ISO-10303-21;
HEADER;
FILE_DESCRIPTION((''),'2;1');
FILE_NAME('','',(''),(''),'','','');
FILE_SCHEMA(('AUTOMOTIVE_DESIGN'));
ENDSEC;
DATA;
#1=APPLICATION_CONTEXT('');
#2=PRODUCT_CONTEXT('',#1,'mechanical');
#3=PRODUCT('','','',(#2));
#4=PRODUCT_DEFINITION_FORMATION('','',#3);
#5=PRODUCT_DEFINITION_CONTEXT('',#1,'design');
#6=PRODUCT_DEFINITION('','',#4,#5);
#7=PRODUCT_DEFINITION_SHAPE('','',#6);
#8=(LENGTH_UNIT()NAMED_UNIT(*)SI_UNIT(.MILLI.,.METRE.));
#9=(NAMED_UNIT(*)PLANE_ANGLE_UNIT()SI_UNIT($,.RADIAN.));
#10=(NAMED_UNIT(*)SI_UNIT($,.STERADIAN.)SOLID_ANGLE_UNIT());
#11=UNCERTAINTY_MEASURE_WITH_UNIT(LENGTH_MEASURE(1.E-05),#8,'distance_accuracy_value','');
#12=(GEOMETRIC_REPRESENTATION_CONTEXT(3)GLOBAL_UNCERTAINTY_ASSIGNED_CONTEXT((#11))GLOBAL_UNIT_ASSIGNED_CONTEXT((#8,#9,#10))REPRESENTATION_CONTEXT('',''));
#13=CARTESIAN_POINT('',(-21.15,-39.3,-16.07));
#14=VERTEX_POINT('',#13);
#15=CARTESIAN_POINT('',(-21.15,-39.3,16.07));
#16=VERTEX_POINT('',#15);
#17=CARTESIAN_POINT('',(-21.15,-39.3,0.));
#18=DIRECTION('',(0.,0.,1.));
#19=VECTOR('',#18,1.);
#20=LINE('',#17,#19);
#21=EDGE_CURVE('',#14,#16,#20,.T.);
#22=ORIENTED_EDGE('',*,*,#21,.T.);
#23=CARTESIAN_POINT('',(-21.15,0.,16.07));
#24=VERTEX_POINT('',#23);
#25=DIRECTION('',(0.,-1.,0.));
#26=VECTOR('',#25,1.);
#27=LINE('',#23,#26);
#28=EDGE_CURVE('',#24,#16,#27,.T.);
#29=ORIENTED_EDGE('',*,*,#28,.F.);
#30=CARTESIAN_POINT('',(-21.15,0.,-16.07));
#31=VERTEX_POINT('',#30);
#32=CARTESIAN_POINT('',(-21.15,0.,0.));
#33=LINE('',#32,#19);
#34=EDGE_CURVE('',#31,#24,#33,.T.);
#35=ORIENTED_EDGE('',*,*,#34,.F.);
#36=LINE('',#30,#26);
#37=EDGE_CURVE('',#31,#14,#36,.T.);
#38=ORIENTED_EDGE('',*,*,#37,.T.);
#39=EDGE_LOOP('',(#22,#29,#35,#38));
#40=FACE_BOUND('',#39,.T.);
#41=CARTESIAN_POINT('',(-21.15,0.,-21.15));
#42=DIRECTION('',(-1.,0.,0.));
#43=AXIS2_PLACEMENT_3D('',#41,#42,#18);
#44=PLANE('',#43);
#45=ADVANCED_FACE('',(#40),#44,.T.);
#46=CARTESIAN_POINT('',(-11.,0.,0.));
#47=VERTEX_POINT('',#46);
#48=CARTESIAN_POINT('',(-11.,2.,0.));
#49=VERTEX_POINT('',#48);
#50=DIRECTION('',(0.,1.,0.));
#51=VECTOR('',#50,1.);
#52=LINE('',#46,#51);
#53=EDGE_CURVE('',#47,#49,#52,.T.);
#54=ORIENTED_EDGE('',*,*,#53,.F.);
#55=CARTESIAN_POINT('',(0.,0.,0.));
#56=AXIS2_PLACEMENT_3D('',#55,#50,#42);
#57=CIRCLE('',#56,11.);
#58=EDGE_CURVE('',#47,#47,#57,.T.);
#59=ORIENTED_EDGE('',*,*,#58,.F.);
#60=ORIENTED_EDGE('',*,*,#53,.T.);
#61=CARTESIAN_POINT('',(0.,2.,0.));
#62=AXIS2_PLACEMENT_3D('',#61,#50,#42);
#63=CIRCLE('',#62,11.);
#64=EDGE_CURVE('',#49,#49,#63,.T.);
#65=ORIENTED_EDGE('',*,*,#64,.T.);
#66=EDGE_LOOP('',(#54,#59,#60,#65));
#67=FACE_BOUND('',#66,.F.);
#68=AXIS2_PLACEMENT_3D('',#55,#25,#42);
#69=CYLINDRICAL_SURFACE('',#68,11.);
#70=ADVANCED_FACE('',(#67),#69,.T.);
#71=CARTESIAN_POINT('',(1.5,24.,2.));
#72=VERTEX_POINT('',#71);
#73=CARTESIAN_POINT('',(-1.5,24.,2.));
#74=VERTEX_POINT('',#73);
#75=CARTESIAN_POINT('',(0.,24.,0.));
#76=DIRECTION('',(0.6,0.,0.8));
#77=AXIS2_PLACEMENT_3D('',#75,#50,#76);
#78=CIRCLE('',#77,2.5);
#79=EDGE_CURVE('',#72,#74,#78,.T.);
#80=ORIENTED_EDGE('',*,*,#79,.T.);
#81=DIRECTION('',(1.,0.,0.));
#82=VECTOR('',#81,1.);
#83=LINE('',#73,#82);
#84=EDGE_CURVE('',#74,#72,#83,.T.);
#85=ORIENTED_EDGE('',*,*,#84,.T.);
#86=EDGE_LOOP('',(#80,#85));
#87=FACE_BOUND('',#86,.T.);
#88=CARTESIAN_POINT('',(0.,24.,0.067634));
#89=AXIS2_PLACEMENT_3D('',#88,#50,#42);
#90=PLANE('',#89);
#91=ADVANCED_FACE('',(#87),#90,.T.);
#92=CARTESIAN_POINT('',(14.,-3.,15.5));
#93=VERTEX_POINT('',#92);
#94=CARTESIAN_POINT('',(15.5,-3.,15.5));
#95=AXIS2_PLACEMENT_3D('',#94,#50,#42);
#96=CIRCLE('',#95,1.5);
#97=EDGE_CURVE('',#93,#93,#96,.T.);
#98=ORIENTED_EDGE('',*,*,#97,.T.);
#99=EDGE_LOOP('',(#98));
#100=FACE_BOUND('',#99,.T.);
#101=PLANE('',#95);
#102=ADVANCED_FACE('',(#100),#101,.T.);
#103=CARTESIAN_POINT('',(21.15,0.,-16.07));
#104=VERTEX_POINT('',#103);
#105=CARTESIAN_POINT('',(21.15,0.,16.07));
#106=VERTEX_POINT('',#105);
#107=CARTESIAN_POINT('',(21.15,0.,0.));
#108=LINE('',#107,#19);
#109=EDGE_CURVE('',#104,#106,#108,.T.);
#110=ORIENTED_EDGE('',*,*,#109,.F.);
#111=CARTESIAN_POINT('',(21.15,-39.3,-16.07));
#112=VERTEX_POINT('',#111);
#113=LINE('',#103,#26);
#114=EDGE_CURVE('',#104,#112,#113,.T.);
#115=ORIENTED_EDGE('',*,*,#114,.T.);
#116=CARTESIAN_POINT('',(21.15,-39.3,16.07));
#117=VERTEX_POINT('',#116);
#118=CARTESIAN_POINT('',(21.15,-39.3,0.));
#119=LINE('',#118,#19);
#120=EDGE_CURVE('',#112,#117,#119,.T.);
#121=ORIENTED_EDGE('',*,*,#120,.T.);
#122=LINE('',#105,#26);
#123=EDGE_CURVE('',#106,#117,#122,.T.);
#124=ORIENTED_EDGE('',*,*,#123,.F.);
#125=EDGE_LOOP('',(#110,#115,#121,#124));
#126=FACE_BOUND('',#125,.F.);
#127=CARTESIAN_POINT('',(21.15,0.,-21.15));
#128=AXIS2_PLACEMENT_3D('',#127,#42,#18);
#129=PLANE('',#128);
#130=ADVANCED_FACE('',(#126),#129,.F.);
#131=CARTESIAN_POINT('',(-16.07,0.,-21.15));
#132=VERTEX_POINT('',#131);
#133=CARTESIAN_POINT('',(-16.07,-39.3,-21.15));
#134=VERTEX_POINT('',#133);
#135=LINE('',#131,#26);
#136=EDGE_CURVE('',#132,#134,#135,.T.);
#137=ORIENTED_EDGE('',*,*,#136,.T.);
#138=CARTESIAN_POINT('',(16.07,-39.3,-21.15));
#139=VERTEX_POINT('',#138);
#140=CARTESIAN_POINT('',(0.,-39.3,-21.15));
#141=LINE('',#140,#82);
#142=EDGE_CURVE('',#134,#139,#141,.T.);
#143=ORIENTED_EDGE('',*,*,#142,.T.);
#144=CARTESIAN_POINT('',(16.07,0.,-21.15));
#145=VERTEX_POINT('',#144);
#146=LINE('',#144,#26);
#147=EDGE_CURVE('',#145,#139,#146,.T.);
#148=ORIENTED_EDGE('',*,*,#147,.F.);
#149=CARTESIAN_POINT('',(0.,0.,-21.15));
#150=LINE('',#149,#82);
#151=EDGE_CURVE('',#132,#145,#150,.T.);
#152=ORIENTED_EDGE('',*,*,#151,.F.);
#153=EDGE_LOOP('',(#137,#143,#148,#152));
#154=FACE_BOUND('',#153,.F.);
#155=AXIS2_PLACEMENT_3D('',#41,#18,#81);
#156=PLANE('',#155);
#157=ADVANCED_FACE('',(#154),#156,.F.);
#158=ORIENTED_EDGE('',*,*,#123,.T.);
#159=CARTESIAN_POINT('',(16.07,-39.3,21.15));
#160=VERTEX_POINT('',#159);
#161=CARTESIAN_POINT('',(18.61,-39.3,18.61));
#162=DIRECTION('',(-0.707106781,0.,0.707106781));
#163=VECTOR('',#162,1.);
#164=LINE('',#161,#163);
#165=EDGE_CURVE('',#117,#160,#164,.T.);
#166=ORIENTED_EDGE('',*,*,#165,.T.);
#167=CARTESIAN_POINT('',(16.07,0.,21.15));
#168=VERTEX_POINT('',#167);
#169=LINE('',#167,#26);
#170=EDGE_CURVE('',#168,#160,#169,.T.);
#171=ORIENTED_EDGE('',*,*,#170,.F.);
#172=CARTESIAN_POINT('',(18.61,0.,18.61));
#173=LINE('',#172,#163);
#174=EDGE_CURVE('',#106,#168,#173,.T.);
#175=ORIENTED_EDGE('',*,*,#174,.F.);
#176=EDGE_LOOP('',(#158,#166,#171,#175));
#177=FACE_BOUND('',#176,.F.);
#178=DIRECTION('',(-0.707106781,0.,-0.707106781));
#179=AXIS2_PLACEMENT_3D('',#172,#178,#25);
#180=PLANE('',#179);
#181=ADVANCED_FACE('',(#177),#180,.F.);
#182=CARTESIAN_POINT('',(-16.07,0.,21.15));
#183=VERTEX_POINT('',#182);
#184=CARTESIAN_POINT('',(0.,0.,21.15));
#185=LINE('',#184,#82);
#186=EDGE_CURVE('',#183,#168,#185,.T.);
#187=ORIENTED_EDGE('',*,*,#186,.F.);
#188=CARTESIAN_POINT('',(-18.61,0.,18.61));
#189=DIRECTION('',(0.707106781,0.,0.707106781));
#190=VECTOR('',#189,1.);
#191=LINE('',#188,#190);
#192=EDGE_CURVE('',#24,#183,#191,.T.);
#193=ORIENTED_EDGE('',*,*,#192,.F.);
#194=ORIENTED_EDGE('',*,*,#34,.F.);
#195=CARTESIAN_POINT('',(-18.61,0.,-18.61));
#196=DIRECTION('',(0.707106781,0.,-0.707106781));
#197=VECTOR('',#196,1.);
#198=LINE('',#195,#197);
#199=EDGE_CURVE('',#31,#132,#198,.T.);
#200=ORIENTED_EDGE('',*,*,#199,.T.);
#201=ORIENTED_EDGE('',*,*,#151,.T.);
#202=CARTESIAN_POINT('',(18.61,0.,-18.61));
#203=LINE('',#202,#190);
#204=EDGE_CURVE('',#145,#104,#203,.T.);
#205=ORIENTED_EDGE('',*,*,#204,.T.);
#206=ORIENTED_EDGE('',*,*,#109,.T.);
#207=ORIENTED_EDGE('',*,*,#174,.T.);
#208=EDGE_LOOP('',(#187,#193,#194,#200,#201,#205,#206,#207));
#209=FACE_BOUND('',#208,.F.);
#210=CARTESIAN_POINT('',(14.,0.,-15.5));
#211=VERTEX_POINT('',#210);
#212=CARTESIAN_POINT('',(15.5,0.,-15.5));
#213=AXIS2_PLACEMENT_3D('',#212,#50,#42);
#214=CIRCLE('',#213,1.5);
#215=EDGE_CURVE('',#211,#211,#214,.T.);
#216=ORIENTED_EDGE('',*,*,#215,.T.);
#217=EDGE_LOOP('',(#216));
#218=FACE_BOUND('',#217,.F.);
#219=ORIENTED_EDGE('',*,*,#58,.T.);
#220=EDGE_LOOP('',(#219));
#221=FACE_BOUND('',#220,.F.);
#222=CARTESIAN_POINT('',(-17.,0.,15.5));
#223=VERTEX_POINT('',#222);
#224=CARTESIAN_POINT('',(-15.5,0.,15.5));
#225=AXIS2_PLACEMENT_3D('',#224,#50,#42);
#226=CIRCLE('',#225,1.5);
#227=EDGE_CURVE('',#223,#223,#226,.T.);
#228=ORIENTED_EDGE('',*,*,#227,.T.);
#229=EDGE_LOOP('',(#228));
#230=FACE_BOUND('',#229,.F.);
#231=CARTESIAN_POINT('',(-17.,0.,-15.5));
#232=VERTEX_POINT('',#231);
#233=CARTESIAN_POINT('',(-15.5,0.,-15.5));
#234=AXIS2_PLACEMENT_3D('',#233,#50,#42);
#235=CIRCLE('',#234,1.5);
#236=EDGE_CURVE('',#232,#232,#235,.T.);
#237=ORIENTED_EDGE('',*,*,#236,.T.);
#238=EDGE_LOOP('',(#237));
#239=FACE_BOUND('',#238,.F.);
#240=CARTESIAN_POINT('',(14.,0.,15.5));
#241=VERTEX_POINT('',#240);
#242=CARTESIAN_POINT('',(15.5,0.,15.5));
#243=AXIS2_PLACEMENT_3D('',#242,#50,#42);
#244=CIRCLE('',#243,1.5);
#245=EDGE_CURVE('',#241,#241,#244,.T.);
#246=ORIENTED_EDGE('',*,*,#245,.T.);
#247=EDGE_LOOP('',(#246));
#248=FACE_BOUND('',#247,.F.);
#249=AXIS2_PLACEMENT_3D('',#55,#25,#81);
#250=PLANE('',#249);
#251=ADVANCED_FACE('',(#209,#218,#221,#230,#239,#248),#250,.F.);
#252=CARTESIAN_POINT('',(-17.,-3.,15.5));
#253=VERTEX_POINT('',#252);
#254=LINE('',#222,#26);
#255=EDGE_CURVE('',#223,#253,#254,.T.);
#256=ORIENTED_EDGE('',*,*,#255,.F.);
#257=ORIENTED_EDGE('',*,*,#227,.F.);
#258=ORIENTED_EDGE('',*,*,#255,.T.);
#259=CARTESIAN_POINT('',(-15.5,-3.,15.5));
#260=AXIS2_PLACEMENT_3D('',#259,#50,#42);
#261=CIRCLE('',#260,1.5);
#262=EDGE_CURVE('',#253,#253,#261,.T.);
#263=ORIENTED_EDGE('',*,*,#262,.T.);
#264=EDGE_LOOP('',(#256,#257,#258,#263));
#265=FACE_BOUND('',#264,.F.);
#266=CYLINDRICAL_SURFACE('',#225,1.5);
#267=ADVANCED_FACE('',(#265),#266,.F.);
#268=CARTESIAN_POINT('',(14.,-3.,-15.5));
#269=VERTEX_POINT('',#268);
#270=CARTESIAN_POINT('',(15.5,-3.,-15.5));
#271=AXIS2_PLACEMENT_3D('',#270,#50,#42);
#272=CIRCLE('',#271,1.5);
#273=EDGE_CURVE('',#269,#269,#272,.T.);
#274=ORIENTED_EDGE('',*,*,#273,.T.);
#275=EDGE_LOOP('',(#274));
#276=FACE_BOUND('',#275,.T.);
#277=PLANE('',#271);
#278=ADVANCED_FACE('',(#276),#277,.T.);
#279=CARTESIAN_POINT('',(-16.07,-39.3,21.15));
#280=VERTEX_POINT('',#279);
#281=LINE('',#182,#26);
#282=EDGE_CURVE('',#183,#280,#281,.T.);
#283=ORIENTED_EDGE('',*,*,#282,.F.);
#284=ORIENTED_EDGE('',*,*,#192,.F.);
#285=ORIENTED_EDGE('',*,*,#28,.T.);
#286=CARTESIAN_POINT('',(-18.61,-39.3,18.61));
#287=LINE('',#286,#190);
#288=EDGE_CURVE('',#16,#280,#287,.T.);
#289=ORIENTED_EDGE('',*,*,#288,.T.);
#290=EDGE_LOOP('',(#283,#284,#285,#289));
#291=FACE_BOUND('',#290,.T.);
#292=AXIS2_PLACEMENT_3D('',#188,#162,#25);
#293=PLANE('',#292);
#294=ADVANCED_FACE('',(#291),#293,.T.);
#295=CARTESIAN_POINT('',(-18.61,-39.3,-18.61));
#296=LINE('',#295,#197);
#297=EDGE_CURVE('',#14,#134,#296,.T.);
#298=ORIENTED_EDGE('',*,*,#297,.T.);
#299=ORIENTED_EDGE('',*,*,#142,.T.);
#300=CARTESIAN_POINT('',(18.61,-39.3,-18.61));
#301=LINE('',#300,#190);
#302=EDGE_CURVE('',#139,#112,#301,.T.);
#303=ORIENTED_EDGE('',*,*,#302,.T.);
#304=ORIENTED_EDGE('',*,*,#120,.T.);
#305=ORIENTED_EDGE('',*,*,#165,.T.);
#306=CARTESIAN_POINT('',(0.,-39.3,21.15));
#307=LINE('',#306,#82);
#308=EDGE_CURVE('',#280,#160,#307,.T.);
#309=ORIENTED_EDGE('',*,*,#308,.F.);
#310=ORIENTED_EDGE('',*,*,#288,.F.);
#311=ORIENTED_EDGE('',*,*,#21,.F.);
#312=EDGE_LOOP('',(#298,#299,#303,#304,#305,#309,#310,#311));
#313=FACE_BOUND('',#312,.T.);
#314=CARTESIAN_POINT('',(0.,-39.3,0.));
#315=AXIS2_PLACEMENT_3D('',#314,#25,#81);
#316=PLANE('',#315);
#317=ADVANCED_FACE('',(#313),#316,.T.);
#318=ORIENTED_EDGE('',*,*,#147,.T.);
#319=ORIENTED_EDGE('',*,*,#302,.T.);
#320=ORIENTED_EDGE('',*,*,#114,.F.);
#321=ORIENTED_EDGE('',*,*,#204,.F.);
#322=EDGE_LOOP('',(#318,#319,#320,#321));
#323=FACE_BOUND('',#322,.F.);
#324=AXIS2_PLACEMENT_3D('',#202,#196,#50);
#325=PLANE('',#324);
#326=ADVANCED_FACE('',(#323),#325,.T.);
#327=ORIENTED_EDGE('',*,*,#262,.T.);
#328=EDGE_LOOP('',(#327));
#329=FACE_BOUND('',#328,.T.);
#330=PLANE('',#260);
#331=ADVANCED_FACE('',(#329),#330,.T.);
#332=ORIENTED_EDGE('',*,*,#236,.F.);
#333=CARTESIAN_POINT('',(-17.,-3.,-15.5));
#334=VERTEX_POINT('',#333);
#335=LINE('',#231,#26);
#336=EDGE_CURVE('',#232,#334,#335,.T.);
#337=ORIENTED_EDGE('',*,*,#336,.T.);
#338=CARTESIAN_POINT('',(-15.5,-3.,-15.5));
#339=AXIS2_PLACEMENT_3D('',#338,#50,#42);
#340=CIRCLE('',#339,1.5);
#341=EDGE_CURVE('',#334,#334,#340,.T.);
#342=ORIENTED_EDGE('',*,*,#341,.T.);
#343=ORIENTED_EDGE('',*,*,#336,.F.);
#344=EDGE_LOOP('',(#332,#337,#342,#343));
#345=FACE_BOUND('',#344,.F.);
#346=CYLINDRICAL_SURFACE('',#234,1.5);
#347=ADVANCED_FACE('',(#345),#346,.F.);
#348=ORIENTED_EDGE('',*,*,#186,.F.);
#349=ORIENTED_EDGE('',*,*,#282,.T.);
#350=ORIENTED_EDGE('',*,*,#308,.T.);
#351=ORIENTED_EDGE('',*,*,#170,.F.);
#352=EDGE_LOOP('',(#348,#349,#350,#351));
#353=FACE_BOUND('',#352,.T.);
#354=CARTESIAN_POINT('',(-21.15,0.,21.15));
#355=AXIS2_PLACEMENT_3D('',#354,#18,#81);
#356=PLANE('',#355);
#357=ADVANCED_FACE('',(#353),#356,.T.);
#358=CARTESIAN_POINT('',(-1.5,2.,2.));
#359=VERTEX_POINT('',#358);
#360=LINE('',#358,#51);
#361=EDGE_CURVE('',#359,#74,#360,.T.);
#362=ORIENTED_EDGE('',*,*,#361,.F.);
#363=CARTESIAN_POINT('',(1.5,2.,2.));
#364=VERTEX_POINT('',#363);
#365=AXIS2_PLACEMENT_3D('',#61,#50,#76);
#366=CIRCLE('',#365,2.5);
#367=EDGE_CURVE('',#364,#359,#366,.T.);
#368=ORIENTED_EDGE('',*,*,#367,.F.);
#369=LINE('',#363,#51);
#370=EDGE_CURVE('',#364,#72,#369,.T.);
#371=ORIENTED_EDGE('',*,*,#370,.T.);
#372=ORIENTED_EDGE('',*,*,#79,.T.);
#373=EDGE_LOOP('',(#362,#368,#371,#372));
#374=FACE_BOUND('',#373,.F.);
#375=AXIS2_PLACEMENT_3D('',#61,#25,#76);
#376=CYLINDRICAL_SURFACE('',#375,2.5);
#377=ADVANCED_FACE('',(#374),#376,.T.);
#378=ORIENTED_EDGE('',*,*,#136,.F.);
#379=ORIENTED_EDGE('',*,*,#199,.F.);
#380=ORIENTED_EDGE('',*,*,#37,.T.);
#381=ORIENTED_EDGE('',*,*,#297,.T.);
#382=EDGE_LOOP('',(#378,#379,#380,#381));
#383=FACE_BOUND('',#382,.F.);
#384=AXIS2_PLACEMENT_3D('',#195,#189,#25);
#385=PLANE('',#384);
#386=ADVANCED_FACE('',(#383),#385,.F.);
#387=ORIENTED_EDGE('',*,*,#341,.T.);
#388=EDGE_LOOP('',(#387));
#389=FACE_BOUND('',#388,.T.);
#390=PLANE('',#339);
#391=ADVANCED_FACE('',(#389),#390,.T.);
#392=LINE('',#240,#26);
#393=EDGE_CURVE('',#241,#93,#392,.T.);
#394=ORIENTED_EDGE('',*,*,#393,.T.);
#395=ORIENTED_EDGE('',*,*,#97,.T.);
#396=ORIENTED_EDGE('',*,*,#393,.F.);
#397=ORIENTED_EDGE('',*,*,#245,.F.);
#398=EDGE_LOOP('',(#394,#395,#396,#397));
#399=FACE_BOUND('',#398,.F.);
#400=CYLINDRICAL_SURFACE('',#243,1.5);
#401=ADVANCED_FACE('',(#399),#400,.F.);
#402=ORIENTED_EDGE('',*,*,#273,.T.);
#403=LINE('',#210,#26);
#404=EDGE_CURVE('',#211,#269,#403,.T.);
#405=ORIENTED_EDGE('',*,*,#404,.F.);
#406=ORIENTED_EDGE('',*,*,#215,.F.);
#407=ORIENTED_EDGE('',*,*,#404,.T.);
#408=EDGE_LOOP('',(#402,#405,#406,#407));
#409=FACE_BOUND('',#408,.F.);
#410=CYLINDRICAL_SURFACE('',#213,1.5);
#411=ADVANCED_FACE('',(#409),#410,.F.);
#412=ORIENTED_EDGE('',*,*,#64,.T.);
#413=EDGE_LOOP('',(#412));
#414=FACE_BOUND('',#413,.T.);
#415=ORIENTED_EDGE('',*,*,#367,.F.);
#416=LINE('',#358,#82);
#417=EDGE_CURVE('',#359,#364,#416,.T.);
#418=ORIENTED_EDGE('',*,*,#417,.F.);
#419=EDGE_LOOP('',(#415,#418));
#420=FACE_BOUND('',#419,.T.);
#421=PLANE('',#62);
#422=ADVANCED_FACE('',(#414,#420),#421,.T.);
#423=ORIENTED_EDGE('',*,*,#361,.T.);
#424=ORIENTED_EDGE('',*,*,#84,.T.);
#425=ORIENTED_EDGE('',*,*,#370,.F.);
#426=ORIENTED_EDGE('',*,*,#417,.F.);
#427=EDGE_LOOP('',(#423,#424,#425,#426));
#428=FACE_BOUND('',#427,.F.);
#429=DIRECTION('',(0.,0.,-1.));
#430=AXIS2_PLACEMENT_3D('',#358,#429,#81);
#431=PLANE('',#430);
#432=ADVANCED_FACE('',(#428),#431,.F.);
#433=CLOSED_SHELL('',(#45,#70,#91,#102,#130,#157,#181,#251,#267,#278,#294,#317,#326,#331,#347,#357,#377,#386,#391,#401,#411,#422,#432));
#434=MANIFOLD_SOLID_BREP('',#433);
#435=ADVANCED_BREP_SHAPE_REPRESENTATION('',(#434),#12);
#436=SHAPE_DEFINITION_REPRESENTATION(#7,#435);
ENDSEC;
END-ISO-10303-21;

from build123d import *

# Parameters (mm, degrees)
F0_W     = 42.3
F0_H     = 42.3
F1_DEPTH = 39.3
F2_SIZE  = 5.08
F3_R     = 1.5
F4_DEPTH = 3
F5_R     = 11
F6_DEPTH = 2
F8_DEPTH = 22


with BuildPart() as f1:
    # F0 (on Front) → F1 (new body)
    with BuildSketch(Plane.XZ):
        Rectangle(F0_W, F0_H)
    extrude(amount=F1_DEPTH)

    # F2
    f2_edges = [f1.edges().sort_by_distance(p)[0] for p in [
        (-21.15, -19.65, 21.15),
        (21.15, -19.65, 21.15),
        (21.15, -19.65, -21.15),
        (-21.15, -19.65, -21.15),
    ]]
    chamfer(f2_edges, length=F2_SIZE)

    # F3 (on face) → F4 (cut)
    with BuildSketch(Plane(origin=(0, 0, 0), x_dir=(-1, 0, 0), z_dir=(0, 1, 0))):
        with Locations((-15.5, 15.5)):
            Circle(F3_R)
        with Locations((15.5, 15.5)):
            Circle(F3_R)
        with Locations((15.5, -15.5)):
            Circle(F3_R)
        with Locations((-15.5, -15.5)):
            Circle(F3_R)
    extrude(amount=-F4_DEPTH, mode=Mode.SUBTRACT)

    # F5 (on face) → F6 (join)
    with BuildSketch(Plane(origin=(0, 0, 0), x_dir=(-1, 0, 0), z_dir=(0, 1, 0))):
        Circle(F5_R)
    extrude(amount=F6_DEPTH)

    # F7 (on face) → F8 (join)
    with BuildSketch(Plane(origin=(0, 2, 0), x_dir=(-1, 0, 0), z_dir=(0, 1, 0))):
        with BuildLine():
            Line((1.5, 2), (-1.5, 2))
            ThreePointArc((-1.5, 2), (0, -2.5), (1.5, 2))
        make_face()
    extrude(amount=F8_DEPTH)


solid = f1.part
